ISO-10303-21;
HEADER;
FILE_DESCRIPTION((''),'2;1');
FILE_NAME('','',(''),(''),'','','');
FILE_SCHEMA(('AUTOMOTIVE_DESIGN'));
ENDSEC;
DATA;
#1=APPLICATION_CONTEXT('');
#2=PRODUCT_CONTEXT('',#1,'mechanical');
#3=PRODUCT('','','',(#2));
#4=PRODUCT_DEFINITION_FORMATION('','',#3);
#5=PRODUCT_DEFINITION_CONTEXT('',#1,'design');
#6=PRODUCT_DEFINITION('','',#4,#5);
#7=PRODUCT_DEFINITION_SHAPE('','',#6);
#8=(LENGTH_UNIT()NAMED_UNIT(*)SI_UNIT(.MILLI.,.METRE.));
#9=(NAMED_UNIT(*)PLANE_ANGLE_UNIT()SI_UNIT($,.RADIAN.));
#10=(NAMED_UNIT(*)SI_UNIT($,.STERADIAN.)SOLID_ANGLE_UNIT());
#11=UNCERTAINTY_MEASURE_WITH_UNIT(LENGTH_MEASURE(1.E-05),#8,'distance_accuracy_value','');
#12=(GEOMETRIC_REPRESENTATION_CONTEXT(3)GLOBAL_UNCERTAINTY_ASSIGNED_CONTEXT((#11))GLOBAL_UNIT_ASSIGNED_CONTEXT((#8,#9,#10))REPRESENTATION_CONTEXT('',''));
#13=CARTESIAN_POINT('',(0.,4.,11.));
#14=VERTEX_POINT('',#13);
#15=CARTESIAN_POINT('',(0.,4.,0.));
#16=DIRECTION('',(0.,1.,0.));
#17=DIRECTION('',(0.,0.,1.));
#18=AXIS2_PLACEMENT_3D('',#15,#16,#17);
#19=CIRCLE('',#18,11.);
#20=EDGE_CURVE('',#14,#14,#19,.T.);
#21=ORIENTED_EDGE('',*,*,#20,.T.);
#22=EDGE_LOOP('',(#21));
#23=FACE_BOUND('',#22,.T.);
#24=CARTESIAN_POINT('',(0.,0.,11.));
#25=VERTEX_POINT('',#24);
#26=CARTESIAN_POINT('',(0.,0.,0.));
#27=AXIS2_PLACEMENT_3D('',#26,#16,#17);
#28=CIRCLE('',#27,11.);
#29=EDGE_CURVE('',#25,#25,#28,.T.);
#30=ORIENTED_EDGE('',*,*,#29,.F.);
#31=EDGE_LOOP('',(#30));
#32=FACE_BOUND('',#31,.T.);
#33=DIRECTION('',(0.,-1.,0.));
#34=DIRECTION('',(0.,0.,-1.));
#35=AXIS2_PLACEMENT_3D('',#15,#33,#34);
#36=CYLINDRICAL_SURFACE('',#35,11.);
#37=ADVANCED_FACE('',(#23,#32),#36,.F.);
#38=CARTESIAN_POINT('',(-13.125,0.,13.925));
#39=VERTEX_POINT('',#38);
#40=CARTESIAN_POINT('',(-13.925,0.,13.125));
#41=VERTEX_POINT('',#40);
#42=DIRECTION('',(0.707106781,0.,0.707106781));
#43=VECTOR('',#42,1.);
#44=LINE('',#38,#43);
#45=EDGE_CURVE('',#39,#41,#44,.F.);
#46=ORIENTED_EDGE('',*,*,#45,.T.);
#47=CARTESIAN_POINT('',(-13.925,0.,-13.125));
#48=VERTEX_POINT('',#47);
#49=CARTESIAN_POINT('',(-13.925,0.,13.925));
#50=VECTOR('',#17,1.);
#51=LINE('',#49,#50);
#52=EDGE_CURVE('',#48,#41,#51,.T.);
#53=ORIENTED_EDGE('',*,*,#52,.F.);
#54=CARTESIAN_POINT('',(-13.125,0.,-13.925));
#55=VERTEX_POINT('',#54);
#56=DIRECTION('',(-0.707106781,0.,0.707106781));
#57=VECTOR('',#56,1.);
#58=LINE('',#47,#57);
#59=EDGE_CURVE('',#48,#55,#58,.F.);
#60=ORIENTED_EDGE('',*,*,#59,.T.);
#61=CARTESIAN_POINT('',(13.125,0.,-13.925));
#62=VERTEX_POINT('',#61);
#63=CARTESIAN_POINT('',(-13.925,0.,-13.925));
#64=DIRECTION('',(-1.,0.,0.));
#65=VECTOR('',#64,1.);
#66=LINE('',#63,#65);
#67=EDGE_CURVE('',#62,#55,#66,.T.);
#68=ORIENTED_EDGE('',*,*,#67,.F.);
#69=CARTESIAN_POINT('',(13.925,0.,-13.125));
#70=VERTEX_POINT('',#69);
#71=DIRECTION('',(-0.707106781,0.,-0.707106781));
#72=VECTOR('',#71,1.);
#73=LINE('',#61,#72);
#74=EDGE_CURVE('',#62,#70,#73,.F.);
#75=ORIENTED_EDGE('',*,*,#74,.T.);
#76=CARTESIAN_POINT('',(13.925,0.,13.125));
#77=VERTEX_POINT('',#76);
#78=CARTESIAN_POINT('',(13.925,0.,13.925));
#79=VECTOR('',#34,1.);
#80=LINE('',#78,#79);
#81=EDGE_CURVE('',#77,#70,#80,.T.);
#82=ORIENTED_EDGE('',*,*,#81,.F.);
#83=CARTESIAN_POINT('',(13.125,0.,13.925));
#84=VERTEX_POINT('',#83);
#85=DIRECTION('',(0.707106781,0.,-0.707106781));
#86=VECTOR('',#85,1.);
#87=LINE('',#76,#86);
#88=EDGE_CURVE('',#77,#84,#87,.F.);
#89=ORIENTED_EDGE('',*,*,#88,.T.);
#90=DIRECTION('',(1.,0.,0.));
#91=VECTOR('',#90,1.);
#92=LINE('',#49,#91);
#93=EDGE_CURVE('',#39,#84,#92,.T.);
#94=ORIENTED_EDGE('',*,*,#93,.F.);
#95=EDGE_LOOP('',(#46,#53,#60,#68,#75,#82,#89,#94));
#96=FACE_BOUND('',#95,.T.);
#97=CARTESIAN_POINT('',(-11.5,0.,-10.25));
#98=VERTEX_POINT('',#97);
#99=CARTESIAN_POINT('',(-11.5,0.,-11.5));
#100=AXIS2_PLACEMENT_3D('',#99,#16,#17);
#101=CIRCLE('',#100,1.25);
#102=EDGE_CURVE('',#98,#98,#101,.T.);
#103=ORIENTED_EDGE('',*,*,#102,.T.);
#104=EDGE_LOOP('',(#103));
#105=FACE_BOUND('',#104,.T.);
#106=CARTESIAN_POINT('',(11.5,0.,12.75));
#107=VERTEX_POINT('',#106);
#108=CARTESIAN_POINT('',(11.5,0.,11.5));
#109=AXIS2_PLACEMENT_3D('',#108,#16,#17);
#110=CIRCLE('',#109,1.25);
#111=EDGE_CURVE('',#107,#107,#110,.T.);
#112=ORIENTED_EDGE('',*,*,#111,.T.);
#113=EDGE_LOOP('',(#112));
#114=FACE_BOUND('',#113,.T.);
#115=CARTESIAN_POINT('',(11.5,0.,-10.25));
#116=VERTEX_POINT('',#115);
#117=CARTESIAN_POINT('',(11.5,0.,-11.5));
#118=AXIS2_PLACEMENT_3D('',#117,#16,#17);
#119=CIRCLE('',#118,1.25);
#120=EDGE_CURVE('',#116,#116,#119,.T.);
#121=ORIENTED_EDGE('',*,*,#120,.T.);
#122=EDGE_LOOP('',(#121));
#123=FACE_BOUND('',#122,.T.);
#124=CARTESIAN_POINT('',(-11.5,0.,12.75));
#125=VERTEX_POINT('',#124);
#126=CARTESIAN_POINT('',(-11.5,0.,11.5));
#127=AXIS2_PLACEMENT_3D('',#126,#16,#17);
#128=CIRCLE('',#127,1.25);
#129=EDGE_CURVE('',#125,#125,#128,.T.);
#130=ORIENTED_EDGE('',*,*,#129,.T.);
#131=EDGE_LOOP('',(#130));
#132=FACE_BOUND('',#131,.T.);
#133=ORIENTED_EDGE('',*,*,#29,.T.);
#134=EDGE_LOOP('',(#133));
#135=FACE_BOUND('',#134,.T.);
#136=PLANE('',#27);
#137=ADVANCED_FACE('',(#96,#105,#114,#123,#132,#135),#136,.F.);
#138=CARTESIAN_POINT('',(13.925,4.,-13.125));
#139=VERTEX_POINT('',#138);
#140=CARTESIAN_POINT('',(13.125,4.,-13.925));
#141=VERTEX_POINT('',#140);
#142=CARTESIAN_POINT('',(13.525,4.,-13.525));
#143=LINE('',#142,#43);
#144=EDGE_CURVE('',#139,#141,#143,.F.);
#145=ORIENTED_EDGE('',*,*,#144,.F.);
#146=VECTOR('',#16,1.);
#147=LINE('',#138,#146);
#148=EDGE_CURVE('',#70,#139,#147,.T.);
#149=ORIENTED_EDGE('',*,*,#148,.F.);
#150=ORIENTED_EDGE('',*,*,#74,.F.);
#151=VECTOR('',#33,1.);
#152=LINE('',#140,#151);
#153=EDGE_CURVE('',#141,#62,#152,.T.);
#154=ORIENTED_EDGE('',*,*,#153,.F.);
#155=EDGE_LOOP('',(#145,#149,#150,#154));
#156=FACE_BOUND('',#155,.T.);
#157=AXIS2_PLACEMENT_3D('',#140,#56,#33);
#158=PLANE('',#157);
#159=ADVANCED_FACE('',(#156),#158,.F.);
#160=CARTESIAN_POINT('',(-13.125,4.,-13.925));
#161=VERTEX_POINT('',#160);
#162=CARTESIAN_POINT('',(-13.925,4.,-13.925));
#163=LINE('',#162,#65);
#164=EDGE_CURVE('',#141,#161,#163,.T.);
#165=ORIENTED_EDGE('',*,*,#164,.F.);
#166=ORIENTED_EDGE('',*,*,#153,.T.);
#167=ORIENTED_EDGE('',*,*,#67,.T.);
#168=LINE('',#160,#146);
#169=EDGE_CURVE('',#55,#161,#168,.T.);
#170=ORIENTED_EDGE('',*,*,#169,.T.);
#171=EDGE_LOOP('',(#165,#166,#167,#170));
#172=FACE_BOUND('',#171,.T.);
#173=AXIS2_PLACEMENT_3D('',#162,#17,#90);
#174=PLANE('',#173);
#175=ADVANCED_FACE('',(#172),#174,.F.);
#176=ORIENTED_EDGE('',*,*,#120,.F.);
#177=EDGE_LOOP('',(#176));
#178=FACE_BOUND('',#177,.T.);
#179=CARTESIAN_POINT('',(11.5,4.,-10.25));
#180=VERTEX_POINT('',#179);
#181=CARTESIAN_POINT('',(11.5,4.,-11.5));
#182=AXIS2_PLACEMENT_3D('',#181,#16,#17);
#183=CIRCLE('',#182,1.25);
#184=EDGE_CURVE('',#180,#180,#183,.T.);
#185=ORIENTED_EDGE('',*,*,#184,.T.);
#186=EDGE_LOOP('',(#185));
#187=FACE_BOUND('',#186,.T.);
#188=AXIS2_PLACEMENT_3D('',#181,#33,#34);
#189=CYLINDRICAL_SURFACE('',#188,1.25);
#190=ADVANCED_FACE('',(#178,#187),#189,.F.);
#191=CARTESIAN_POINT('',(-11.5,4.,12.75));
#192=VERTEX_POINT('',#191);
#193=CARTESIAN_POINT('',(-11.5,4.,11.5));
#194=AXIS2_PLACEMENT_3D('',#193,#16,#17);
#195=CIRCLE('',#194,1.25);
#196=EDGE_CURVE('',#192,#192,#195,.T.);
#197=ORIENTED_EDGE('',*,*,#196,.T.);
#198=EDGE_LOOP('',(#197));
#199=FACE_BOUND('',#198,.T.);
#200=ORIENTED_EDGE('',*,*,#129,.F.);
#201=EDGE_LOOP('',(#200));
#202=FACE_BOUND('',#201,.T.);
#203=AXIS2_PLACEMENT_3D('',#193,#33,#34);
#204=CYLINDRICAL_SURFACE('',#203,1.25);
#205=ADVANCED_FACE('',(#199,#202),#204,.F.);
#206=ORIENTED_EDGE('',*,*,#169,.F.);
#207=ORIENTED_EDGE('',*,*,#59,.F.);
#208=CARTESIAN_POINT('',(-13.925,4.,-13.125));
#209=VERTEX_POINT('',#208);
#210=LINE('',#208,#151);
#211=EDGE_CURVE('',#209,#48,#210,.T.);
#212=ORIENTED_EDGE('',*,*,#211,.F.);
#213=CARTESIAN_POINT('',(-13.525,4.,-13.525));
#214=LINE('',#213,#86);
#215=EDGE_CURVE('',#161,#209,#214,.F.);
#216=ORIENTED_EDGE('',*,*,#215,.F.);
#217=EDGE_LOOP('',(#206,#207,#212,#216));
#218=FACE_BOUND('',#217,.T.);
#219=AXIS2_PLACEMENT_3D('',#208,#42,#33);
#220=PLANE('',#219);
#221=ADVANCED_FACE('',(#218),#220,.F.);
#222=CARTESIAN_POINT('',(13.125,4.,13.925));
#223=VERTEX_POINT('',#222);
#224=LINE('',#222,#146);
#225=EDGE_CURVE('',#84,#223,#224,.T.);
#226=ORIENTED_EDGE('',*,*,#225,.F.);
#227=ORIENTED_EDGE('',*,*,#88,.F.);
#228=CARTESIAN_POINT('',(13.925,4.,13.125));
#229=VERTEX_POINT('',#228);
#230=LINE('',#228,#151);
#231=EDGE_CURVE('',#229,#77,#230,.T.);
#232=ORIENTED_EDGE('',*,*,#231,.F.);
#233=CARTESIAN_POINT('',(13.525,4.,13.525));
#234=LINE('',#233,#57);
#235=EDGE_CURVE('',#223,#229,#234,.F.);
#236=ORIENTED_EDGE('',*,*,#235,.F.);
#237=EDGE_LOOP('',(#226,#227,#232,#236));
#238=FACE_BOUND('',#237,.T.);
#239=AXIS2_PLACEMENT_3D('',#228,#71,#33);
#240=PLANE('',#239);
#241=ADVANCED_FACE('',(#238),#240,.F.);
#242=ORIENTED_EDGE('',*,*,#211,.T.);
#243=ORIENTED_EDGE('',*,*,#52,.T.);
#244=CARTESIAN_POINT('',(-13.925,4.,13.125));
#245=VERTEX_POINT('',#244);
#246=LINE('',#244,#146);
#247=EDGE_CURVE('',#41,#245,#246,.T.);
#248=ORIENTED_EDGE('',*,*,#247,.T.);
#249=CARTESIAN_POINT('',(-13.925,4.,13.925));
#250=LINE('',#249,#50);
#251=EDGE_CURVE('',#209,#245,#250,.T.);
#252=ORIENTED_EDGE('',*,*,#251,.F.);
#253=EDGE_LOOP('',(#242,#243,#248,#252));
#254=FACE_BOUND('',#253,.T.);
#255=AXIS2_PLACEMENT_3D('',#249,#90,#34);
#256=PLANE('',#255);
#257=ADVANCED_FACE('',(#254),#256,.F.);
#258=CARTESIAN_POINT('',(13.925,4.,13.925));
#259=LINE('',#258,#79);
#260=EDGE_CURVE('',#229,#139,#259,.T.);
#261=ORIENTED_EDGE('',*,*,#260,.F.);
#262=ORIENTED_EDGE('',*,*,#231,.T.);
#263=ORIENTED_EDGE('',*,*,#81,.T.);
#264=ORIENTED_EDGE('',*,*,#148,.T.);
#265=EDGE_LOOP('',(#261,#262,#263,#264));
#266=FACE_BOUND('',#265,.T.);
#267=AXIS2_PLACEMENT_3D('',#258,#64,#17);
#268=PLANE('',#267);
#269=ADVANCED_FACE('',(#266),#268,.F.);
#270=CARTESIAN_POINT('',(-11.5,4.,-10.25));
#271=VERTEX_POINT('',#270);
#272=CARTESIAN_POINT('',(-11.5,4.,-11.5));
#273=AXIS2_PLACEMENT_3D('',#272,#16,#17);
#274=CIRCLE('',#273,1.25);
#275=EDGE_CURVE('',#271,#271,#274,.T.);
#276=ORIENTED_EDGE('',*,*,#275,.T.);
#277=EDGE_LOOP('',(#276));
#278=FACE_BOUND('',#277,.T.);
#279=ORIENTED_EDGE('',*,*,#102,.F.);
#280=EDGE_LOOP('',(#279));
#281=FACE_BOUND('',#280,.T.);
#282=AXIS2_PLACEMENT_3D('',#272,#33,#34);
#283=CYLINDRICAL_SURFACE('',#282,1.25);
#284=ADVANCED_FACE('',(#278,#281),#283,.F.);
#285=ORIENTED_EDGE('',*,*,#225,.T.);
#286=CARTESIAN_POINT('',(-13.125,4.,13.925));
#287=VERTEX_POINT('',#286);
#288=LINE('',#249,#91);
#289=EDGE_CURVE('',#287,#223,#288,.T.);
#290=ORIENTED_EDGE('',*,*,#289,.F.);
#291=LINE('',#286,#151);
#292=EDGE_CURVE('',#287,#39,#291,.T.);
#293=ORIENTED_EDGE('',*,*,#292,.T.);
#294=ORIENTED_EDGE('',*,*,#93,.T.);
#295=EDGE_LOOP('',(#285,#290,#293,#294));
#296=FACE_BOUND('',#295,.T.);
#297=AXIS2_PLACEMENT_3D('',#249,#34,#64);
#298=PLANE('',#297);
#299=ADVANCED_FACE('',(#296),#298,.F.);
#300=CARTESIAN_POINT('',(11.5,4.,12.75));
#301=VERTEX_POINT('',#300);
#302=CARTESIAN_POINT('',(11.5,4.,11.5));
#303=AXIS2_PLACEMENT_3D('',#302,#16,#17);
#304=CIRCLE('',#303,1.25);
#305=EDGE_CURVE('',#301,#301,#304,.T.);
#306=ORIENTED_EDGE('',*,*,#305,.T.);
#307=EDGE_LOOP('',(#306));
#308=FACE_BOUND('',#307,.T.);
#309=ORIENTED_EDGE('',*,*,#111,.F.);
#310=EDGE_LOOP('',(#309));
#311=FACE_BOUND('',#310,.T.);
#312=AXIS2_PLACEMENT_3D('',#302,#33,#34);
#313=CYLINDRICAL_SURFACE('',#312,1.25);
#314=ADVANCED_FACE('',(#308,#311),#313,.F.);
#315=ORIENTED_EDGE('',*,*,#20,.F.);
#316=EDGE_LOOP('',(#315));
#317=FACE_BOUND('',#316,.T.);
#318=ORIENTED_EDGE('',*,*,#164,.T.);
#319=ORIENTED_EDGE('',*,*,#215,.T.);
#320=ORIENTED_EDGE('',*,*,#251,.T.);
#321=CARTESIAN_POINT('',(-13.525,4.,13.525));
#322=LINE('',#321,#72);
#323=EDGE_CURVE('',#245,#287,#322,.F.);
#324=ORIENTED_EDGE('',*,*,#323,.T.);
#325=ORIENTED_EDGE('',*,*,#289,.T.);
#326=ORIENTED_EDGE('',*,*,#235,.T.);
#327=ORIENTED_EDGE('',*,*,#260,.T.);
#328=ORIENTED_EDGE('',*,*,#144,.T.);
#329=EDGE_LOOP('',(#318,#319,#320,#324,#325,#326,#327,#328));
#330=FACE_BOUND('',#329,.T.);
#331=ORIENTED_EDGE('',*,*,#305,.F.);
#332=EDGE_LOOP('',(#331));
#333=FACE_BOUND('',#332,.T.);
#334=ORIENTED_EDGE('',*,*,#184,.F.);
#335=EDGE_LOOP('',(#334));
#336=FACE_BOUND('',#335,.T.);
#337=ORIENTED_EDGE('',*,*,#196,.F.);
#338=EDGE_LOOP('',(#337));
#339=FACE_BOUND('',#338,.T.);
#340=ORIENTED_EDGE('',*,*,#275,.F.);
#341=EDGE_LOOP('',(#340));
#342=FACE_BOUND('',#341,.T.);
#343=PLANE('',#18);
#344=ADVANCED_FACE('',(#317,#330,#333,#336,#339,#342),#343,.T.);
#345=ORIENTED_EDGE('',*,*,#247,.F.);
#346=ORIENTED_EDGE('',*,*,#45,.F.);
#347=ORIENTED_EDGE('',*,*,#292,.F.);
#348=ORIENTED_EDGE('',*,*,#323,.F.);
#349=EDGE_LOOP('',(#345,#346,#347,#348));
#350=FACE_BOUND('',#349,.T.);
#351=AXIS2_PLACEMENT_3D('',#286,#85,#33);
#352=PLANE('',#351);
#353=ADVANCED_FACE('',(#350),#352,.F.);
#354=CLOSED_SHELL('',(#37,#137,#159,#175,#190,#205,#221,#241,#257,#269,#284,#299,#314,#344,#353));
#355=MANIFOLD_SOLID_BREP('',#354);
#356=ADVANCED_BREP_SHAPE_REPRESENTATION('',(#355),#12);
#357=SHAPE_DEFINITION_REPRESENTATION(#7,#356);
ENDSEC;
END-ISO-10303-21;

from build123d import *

# Parameters (mm, degrees)
SKETCH_2_W      = 27.85
SKETCH_2_H      = 27.85
SKETCH_2_R      = 1.25
SKETCH_2_R_2    = 11
EXTRUDE_1_DEPTH = 4
CHAMFER_1_SIZE  = 0.8


with BuildPart() as part:
    # Эскиз2 → Бобышка-Вытянуть1 (new body)
    with BuildSketch(Plane(origin=(0, 0, 0), x_dir=(1, 0, 0), z_dir=(0, 1, 0))):
        Rectangle(SKETCH_2_W, SKETCH_2_H)
        with Locations((-11.5, 11.5)):
            Circle(SKETCH_2_R, mode=Mode.SUBTRACT)
        with Locations((-11.5, -11.5)):
            Circle(SKETCH_2_R, mode=Mode.SUBTRACT)
        with Locations((11.5, -11.5)):
            Circle(SKETCH_2_R, mode=Mode.SUBTRACT)
        with Locations((11.5, 11.5)):
            Circle(SKETCH_2_R, mode=Mode.SUBTRACT)
        Circle(SKETCH_2_R_2, mode=Mode.SUBTRACT)
    extrude(amount=EXTRUDE_1_DEPTH)

    # Фаска1
    chamfer_1_edges = [part.edges().sort_by_distance(p)[0] for p in [
        (13.925, 2, -13.925),
        (13.925, 2, 13.925),
        (-13.925, 2, 13.925),
        (-13.925, 2, -13.925),
    ]]
    chamfer(chamfer_1_edges, length=CHAMFER_1_SIZE)


solid = part.part
